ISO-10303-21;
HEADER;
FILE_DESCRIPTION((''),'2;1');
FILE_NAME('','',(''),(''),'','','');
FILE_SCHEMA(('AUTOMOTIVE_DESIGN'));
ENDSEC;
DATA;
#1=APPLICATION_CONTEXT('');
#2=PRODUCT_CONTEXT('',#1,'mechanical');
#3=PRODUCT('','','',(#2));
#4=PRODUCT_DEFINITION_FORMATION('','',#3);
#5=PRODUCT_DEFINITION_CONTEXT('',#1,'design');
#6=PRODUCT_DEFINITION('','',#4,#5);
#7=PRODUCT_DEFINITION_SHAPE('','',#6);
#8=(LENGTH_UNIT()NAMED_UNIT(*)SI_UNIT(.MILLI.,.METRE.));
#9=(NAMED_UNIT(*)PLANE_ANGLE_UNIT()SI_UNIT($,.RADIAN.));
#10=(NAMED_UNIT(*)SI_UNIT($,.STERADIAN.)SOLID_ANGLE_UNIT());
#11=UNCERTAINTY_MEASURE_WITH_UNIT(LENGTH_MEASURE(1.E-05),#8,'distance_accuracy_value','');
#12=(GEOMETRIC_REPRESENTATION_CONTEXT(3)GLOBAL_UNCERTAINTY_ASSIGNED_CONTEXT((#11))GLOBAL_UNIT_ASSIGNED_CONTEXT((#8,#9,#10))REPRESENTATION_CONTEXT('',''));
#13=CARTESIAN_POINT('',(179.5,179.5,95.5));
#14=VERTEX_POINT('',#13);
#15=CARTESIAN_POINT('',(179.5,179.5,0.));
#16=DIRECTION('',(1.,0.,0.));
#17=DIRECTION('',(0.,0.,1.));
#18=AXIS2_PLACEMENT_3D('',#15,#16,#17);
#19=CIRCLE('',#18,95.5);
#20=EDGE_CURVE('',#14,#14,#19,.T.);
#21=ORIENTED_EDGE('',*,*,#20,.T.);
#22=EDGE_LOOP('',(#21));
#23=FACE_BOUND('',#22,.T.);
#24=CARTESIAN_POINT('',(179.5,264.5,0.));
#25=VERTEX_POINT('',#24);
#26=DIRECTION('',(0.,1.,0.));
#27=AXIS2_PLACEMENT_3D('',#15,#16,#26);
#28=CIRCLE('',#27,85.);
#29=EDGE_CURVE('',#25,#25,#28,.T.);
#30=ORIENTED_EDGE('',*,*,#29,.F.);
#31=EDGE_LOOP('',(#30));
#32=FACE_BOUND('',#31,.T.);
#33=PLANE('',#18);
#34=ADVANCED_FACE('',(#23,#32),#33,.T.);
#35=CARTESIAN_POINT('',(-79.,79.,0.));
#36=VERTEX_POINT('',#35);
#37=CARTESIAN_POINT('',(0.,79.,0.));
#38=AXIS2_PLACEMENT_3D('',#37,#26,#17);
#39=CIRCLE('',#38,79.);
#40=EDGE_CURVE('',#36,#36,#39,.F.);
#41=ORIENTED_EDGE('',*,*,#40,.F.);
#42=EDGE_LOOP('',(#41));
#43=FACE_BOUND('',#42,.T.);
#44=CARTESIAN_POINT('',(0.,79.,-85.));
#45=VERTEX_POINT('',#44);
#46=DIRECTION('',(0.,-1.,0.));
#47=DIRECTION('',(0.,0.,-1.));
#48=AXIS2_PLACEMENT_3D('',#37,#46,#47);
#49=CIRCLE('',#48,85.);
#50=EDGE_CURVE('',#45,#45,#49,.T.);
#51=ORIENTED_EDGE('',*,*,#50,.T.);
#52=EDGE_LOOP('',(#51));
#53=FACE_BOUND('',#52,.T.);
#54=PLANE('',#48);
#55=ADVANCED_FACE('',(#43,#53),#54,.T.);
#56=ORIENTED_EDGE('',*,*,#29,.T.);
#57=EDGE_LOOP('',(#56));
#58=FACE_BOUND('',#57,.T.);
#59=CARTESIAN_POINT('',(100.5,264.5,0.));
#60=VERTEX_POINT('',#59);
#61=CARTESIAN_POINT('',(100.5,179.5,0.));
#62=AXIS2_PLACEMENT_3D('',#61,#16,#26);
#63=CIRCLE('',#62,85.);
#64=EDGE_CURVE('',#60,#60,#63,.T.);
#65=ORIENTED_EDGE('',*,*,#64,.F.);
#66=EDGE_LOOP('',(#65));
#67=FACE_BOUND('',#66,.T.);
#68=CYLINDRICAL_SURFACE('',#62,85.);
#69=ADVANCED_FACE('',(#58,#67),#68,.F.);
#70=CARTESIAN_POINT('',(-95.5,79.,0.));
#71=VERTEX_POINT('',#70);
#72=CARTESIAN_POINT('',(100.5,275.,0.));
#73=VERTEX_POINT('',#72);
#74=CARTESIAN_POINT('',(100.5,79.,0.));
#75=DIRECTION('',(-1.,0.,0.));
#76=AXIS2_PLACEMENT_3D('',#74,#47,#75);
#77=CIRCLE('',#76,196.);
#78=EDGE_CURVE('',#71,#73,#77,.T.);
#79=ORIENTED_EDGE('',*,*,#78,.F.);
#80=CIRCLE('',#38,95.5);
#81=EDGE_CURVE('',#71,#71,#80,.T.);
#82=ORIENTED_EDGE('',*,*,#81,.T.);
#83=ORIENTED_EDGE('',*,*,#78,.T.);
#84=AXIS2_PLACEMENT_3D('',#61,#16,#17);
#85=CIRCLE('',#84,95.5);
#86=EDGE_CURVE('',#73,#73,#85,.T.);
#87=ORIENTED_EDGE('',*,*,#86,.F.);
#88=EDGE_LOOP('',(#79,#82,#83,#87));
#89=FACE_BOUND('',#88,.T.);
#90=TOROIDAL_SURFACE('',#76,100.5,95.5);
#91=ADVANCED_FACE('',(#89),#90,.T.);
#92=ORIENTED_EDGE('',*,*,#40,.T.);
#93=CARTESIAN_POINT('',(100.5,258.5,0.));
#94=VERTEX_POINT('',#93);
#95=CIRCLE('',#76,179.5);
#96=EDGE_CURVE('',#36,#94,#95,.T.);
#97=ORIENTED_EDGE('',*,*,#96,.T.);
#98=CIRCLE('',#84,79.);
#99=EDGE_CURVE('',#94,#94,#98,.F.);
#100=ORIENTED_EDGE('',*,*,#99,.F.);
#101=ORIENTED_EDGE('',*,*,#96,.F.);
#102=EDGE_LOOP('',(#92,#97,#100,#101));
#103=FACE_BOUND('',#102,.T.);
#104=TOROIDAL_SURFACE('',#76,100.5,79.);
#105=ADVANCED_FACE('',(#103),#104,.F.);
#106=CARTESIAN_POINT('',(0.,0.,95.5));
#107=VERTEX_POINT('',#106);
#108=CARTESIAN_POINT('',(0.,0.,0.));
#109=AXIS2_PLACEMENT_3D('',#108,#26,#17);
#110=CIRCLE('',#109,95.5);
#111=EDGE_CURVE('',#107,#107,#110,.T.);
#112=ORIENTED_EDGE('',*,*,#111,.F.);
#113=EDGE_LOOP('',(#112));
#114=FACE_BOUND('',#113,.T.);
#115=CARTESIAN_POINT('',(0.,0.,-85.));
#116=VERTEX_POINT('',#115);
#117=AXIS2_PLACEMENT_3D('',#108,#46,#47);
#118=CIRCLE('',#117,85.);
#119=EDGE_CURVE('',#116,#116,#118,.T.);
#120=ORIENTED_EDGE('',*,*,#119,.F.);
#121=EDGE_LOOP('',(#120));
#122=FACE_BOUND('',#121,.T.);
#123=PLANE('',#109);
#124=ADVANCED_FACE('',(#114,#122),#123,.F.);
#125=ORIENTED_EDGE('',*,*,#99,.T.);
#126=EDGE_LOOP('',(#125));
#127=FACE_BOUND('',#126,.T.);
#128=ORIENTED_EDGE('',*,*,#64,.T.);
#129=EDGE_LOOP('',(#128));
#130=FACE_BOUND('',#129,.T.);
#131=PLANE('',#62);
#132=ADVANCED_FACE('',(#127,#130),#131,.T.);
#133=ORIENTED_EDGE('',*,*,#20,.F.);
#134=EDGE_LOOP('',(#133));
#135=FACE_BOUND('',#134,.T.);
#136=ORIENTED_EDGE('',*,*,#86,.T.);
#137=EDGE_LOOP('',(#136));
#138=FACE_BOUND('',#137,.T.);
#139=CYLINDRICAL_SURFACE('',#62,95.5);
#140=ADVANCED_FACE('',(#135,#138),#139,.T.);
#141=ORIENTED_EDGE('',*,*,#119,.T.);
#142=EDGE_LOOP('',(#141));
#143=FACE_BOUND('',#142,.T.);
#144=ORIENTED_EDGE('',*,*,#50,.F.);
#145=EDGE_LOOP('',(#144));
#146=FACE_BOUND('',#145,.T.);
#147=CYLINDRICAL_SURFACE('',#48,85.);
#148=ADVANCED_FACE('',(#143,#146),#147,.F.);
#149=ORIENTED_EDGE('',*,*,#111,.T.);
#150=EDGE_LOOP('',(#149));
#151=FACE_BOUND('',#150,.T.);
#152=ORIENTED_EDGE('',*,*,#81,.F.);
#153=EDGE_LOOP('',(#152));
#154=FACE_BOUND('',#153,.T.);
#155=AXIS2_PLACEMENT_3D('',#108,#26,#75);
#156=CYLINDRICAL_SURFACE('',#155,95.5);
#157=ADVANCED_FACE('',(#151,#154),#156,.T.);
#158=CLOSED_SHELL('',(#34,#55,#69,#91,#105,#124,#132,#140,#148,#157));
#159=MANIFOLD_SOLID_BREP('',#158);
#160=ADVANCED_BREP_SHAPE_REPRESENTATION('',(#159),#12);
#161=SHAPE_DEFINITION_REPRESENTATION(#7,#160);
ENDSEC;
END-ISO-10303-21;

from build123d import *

# Parameters (mm, degrees)
CROQUIS4_R            = 95.5
CROQUIS4_R_2          = 79
CORTAR_EXTRUIR1_START = -79
CROQUIS6_R            = 85
CROQUIS6_R_2          = 79
CORTAR_EXTRUIR1_DEPTH = 79
CROQUIS7_R            = 85
CROQUIS7_R_2          = 79
CORTAR_EXTRUIR2_DEPTH = 79


with BuildPart() as part:
    # Barrer5: sweep along a path in Croquis3
    with BuildLine(Plane.XY) as barrer5_path:
        Line((0, 0), (0, 79))
        ThreePointArc((0, 79), (29.435768491, 150.064231509), (100.5, 179.5))
        Line((100.5, 179.5), (179.5, 179.5))
    # Croquis4 → Barrer5 (sweep)
    with BuildSketch(Plane(origin=(0, 0, 0), x_dir=(1, 0, 0), z_dir=(0, 1, 0))):
        Circle(CROQUIS4_R)
        Circle(CROQUIS4_R_2, mode=Mode.SUBTRACT)
    sweep(path=barrer5_path.line)

    # Croquis6 → Cortar-Extruir1 (cut)
    with BuildSketch(Plane.XZ.offset(CORTAR_EXTRUIR1_START)):
        with Locations(Location((0, 0, 0), (0, 0, 270))):
            Circle(CROQUIS6_R)
        Circle(CROQUIS6_R_2, mode=Mode.SUBTRACT)
    extrude(amount=CORTAR_EXTRUIR1_DEPTH, mode=Mode.SUBTRACT)

    # Croquis7 → Cortar-Extruir2 (cut)
    with BuildSketch(Plane(origin=(179.5, 0, 0), x_dir=(0, 0, -1), z_dir=(1, 0, 0))):
        with Locations(Location((0, 179.5, 0), (0, 0, 90))):
            Circle(CROQUIS7_R)
        with Locations((0, 179.5)):
            Circle(CROQUIS7_R_2, mode=Mode.SUBTRACT)
    extrude(amount=-CORTAR_EXTRUIR2_DEPTH, mode=Mode.SUBTRACT)


solid = part.part
